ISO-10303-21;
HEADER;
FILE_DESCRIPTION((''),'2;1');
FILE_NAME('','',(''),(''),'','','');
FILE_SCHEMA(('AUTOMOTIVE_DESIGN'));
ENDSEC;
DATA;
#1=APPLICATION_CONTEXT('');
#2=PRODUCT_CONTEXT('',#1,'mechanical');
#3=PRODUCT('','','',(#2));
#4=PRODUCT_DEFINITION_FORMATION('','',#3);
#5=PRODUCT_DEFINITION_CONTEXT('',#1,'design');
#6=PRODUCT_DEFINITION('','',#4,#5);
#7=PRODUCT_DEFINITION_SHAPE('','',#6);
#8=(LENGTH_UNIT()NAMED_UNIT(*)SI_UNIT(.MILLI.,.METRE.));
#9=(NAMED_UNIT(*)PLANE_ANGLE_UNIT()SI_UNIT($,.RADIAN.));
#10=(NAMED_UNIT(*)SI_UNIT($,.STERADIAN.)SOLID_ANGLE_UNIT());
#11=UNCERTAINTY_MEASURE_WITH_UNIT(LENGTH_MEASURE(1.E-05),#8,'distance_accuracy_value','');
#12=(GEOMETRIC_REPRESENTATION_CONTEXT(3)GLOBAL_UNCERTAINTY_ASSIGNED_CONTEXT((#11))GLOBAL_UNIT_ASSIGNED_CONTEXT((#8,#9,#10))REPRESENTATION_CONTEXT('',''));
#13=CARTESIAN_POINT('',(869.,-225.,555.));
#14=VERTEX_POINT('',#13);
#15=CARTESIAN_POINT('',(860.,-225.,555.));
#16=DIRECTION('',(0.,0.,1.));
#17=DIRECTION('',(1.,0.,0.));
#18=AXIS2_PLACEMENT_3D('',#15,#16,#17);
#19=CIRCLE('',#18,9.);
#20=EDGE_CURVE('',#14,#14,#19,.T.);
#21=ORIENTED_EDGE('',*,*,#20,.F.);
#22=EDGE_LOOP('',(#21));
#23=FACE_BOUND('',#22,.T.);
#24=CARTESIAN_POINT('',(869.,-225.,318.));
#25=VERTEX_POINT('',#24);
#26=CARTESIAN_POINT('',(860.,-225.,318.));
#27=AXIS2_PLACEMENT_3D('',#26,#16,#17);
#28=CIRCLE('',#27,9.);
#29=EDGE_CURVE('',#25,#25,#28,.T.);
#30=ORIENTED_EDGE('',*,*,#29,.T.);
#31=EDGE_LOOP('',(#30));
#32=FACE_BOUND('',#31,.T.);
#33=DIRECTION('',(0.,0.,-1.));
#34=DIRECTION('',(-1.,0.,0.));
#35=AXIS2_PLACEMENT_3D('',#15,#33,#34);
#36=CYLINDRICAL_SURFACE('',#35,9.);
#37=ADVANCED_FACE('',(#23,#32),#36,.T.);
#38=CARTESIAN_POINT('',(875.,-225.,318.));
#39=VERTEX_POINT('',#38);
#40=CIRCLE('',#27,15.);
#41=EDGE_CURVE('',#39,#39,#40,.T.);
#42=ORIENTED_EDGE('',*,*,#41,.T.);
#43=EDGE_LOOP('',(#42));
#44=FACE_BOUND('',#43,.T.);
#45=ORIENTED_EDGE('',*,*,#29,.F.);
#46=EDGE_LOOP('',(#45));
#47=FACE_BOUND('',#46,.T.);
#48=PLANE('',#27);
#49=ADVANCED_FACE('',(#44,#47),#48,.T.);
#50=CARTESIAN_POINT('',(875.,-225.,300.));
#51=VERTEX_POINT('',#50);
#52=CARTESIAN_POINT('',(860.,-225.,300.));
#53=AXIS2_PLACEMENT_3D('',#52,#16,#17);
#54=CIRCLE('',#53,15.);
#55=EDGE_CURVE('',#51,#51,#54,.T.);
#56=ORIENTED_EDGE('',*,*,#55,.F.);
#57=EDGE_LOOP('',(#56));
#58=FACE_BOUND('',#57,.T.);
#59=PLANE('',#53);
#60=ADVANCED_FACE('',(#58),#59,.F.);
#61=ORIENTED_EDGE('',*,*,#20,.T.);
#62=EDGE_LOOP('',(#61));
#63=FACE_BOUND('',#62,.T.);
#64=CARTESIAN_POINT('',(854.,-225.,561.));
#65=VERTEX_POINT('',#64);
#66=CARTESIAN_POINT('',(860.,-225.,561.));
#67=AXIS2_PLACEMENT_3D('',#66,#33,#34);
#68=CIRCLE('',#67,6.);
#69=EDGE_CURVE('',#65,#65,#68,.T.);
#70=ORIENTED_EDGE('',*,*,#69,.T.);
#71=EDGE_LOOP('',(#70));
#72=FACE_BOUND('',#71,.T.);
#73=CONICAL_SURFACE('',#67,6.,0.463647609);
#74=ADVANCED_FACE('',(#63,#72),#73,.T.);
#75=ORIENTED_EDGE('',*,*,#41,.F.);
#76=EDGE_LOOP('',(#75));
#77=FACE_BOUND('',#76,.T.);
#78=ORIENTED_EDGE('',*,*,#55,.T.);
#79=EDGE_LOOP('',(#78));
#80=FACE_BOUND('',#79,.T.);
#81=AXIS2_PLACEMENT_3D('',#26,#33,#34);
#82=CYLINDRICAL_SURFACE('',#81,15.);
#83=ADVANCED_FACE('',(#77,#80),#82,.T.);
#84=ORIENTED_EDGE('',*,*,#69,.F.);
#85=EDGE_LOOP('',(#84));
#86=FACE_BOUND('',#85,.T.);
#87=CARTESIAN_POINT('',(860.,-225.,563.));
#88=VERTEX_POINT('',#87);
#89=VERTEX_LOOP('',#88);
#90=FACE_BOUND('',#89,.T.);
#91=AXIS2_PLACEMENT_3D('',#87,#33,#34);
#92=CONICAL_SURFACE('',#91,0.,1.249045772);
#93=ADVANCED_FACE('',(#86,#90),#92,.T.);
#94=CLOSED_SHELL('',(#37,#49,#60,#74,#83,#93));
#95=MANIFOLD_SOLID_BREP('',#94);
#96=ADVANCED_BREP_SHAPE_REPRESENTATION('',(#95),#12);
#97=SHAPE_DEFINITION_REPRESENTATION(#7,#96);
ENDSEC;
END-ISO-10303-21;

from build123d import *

# Parameters (mm, degrees)
EXTRUDE_START      = 300
EXTRUDE_SKETCH_1_R = 15
EXTRUDE_1_DEPTH    = 18
EXTRUDE_START_2    = 318
EXTRUDE_SKETCH_2_R = 9
EXTRUDE_2_DEPTH    = 237


with BuildPart() as part:
    # Extrude sketch 1 → Extrude 1 (new body)
    with BuildSketch(Plane.XY.offset(EXTRUDE_START)):
        with Locations((860, -225)):
            Circle(EXTRUDE_SKETCH_1_R)
    extrude(amount=EXTRUDE_1_DEPTH)


with BuildPart() as body_2:
    # Extrude sketch 2 → Extrude 2 (new body)
    with BuildSketch(Plane.XY.offset(EXTRUDE_START_2)):
        with Locations((860, -225)):
            Circle(EXTRUDE_SKETCH_2_R)
    extrude(amount=EXTRUDE_2_DEPTH)


with BuildPart() as body_3:
    # Revolve profile 1 → Revolve 1 (revolve)
    with BuildSketch(Plane(origin=(0, -225, 0), x_dir=(1, 0, 0), z_dir=(0, 1, 0))):
        Polygon((860, -555), (869, -555), (866, -561), (860, -563), align=None)
    revolve(axis=Axis((860, -225, 550), (0, 0, 1)))


with BuildPart() as part_1:
    add(part.part)

    # Combine (weld / assembly of features): union body 2, body 3
    add(body_2.part)
    add(body_3.part)


solid = part_1.part
